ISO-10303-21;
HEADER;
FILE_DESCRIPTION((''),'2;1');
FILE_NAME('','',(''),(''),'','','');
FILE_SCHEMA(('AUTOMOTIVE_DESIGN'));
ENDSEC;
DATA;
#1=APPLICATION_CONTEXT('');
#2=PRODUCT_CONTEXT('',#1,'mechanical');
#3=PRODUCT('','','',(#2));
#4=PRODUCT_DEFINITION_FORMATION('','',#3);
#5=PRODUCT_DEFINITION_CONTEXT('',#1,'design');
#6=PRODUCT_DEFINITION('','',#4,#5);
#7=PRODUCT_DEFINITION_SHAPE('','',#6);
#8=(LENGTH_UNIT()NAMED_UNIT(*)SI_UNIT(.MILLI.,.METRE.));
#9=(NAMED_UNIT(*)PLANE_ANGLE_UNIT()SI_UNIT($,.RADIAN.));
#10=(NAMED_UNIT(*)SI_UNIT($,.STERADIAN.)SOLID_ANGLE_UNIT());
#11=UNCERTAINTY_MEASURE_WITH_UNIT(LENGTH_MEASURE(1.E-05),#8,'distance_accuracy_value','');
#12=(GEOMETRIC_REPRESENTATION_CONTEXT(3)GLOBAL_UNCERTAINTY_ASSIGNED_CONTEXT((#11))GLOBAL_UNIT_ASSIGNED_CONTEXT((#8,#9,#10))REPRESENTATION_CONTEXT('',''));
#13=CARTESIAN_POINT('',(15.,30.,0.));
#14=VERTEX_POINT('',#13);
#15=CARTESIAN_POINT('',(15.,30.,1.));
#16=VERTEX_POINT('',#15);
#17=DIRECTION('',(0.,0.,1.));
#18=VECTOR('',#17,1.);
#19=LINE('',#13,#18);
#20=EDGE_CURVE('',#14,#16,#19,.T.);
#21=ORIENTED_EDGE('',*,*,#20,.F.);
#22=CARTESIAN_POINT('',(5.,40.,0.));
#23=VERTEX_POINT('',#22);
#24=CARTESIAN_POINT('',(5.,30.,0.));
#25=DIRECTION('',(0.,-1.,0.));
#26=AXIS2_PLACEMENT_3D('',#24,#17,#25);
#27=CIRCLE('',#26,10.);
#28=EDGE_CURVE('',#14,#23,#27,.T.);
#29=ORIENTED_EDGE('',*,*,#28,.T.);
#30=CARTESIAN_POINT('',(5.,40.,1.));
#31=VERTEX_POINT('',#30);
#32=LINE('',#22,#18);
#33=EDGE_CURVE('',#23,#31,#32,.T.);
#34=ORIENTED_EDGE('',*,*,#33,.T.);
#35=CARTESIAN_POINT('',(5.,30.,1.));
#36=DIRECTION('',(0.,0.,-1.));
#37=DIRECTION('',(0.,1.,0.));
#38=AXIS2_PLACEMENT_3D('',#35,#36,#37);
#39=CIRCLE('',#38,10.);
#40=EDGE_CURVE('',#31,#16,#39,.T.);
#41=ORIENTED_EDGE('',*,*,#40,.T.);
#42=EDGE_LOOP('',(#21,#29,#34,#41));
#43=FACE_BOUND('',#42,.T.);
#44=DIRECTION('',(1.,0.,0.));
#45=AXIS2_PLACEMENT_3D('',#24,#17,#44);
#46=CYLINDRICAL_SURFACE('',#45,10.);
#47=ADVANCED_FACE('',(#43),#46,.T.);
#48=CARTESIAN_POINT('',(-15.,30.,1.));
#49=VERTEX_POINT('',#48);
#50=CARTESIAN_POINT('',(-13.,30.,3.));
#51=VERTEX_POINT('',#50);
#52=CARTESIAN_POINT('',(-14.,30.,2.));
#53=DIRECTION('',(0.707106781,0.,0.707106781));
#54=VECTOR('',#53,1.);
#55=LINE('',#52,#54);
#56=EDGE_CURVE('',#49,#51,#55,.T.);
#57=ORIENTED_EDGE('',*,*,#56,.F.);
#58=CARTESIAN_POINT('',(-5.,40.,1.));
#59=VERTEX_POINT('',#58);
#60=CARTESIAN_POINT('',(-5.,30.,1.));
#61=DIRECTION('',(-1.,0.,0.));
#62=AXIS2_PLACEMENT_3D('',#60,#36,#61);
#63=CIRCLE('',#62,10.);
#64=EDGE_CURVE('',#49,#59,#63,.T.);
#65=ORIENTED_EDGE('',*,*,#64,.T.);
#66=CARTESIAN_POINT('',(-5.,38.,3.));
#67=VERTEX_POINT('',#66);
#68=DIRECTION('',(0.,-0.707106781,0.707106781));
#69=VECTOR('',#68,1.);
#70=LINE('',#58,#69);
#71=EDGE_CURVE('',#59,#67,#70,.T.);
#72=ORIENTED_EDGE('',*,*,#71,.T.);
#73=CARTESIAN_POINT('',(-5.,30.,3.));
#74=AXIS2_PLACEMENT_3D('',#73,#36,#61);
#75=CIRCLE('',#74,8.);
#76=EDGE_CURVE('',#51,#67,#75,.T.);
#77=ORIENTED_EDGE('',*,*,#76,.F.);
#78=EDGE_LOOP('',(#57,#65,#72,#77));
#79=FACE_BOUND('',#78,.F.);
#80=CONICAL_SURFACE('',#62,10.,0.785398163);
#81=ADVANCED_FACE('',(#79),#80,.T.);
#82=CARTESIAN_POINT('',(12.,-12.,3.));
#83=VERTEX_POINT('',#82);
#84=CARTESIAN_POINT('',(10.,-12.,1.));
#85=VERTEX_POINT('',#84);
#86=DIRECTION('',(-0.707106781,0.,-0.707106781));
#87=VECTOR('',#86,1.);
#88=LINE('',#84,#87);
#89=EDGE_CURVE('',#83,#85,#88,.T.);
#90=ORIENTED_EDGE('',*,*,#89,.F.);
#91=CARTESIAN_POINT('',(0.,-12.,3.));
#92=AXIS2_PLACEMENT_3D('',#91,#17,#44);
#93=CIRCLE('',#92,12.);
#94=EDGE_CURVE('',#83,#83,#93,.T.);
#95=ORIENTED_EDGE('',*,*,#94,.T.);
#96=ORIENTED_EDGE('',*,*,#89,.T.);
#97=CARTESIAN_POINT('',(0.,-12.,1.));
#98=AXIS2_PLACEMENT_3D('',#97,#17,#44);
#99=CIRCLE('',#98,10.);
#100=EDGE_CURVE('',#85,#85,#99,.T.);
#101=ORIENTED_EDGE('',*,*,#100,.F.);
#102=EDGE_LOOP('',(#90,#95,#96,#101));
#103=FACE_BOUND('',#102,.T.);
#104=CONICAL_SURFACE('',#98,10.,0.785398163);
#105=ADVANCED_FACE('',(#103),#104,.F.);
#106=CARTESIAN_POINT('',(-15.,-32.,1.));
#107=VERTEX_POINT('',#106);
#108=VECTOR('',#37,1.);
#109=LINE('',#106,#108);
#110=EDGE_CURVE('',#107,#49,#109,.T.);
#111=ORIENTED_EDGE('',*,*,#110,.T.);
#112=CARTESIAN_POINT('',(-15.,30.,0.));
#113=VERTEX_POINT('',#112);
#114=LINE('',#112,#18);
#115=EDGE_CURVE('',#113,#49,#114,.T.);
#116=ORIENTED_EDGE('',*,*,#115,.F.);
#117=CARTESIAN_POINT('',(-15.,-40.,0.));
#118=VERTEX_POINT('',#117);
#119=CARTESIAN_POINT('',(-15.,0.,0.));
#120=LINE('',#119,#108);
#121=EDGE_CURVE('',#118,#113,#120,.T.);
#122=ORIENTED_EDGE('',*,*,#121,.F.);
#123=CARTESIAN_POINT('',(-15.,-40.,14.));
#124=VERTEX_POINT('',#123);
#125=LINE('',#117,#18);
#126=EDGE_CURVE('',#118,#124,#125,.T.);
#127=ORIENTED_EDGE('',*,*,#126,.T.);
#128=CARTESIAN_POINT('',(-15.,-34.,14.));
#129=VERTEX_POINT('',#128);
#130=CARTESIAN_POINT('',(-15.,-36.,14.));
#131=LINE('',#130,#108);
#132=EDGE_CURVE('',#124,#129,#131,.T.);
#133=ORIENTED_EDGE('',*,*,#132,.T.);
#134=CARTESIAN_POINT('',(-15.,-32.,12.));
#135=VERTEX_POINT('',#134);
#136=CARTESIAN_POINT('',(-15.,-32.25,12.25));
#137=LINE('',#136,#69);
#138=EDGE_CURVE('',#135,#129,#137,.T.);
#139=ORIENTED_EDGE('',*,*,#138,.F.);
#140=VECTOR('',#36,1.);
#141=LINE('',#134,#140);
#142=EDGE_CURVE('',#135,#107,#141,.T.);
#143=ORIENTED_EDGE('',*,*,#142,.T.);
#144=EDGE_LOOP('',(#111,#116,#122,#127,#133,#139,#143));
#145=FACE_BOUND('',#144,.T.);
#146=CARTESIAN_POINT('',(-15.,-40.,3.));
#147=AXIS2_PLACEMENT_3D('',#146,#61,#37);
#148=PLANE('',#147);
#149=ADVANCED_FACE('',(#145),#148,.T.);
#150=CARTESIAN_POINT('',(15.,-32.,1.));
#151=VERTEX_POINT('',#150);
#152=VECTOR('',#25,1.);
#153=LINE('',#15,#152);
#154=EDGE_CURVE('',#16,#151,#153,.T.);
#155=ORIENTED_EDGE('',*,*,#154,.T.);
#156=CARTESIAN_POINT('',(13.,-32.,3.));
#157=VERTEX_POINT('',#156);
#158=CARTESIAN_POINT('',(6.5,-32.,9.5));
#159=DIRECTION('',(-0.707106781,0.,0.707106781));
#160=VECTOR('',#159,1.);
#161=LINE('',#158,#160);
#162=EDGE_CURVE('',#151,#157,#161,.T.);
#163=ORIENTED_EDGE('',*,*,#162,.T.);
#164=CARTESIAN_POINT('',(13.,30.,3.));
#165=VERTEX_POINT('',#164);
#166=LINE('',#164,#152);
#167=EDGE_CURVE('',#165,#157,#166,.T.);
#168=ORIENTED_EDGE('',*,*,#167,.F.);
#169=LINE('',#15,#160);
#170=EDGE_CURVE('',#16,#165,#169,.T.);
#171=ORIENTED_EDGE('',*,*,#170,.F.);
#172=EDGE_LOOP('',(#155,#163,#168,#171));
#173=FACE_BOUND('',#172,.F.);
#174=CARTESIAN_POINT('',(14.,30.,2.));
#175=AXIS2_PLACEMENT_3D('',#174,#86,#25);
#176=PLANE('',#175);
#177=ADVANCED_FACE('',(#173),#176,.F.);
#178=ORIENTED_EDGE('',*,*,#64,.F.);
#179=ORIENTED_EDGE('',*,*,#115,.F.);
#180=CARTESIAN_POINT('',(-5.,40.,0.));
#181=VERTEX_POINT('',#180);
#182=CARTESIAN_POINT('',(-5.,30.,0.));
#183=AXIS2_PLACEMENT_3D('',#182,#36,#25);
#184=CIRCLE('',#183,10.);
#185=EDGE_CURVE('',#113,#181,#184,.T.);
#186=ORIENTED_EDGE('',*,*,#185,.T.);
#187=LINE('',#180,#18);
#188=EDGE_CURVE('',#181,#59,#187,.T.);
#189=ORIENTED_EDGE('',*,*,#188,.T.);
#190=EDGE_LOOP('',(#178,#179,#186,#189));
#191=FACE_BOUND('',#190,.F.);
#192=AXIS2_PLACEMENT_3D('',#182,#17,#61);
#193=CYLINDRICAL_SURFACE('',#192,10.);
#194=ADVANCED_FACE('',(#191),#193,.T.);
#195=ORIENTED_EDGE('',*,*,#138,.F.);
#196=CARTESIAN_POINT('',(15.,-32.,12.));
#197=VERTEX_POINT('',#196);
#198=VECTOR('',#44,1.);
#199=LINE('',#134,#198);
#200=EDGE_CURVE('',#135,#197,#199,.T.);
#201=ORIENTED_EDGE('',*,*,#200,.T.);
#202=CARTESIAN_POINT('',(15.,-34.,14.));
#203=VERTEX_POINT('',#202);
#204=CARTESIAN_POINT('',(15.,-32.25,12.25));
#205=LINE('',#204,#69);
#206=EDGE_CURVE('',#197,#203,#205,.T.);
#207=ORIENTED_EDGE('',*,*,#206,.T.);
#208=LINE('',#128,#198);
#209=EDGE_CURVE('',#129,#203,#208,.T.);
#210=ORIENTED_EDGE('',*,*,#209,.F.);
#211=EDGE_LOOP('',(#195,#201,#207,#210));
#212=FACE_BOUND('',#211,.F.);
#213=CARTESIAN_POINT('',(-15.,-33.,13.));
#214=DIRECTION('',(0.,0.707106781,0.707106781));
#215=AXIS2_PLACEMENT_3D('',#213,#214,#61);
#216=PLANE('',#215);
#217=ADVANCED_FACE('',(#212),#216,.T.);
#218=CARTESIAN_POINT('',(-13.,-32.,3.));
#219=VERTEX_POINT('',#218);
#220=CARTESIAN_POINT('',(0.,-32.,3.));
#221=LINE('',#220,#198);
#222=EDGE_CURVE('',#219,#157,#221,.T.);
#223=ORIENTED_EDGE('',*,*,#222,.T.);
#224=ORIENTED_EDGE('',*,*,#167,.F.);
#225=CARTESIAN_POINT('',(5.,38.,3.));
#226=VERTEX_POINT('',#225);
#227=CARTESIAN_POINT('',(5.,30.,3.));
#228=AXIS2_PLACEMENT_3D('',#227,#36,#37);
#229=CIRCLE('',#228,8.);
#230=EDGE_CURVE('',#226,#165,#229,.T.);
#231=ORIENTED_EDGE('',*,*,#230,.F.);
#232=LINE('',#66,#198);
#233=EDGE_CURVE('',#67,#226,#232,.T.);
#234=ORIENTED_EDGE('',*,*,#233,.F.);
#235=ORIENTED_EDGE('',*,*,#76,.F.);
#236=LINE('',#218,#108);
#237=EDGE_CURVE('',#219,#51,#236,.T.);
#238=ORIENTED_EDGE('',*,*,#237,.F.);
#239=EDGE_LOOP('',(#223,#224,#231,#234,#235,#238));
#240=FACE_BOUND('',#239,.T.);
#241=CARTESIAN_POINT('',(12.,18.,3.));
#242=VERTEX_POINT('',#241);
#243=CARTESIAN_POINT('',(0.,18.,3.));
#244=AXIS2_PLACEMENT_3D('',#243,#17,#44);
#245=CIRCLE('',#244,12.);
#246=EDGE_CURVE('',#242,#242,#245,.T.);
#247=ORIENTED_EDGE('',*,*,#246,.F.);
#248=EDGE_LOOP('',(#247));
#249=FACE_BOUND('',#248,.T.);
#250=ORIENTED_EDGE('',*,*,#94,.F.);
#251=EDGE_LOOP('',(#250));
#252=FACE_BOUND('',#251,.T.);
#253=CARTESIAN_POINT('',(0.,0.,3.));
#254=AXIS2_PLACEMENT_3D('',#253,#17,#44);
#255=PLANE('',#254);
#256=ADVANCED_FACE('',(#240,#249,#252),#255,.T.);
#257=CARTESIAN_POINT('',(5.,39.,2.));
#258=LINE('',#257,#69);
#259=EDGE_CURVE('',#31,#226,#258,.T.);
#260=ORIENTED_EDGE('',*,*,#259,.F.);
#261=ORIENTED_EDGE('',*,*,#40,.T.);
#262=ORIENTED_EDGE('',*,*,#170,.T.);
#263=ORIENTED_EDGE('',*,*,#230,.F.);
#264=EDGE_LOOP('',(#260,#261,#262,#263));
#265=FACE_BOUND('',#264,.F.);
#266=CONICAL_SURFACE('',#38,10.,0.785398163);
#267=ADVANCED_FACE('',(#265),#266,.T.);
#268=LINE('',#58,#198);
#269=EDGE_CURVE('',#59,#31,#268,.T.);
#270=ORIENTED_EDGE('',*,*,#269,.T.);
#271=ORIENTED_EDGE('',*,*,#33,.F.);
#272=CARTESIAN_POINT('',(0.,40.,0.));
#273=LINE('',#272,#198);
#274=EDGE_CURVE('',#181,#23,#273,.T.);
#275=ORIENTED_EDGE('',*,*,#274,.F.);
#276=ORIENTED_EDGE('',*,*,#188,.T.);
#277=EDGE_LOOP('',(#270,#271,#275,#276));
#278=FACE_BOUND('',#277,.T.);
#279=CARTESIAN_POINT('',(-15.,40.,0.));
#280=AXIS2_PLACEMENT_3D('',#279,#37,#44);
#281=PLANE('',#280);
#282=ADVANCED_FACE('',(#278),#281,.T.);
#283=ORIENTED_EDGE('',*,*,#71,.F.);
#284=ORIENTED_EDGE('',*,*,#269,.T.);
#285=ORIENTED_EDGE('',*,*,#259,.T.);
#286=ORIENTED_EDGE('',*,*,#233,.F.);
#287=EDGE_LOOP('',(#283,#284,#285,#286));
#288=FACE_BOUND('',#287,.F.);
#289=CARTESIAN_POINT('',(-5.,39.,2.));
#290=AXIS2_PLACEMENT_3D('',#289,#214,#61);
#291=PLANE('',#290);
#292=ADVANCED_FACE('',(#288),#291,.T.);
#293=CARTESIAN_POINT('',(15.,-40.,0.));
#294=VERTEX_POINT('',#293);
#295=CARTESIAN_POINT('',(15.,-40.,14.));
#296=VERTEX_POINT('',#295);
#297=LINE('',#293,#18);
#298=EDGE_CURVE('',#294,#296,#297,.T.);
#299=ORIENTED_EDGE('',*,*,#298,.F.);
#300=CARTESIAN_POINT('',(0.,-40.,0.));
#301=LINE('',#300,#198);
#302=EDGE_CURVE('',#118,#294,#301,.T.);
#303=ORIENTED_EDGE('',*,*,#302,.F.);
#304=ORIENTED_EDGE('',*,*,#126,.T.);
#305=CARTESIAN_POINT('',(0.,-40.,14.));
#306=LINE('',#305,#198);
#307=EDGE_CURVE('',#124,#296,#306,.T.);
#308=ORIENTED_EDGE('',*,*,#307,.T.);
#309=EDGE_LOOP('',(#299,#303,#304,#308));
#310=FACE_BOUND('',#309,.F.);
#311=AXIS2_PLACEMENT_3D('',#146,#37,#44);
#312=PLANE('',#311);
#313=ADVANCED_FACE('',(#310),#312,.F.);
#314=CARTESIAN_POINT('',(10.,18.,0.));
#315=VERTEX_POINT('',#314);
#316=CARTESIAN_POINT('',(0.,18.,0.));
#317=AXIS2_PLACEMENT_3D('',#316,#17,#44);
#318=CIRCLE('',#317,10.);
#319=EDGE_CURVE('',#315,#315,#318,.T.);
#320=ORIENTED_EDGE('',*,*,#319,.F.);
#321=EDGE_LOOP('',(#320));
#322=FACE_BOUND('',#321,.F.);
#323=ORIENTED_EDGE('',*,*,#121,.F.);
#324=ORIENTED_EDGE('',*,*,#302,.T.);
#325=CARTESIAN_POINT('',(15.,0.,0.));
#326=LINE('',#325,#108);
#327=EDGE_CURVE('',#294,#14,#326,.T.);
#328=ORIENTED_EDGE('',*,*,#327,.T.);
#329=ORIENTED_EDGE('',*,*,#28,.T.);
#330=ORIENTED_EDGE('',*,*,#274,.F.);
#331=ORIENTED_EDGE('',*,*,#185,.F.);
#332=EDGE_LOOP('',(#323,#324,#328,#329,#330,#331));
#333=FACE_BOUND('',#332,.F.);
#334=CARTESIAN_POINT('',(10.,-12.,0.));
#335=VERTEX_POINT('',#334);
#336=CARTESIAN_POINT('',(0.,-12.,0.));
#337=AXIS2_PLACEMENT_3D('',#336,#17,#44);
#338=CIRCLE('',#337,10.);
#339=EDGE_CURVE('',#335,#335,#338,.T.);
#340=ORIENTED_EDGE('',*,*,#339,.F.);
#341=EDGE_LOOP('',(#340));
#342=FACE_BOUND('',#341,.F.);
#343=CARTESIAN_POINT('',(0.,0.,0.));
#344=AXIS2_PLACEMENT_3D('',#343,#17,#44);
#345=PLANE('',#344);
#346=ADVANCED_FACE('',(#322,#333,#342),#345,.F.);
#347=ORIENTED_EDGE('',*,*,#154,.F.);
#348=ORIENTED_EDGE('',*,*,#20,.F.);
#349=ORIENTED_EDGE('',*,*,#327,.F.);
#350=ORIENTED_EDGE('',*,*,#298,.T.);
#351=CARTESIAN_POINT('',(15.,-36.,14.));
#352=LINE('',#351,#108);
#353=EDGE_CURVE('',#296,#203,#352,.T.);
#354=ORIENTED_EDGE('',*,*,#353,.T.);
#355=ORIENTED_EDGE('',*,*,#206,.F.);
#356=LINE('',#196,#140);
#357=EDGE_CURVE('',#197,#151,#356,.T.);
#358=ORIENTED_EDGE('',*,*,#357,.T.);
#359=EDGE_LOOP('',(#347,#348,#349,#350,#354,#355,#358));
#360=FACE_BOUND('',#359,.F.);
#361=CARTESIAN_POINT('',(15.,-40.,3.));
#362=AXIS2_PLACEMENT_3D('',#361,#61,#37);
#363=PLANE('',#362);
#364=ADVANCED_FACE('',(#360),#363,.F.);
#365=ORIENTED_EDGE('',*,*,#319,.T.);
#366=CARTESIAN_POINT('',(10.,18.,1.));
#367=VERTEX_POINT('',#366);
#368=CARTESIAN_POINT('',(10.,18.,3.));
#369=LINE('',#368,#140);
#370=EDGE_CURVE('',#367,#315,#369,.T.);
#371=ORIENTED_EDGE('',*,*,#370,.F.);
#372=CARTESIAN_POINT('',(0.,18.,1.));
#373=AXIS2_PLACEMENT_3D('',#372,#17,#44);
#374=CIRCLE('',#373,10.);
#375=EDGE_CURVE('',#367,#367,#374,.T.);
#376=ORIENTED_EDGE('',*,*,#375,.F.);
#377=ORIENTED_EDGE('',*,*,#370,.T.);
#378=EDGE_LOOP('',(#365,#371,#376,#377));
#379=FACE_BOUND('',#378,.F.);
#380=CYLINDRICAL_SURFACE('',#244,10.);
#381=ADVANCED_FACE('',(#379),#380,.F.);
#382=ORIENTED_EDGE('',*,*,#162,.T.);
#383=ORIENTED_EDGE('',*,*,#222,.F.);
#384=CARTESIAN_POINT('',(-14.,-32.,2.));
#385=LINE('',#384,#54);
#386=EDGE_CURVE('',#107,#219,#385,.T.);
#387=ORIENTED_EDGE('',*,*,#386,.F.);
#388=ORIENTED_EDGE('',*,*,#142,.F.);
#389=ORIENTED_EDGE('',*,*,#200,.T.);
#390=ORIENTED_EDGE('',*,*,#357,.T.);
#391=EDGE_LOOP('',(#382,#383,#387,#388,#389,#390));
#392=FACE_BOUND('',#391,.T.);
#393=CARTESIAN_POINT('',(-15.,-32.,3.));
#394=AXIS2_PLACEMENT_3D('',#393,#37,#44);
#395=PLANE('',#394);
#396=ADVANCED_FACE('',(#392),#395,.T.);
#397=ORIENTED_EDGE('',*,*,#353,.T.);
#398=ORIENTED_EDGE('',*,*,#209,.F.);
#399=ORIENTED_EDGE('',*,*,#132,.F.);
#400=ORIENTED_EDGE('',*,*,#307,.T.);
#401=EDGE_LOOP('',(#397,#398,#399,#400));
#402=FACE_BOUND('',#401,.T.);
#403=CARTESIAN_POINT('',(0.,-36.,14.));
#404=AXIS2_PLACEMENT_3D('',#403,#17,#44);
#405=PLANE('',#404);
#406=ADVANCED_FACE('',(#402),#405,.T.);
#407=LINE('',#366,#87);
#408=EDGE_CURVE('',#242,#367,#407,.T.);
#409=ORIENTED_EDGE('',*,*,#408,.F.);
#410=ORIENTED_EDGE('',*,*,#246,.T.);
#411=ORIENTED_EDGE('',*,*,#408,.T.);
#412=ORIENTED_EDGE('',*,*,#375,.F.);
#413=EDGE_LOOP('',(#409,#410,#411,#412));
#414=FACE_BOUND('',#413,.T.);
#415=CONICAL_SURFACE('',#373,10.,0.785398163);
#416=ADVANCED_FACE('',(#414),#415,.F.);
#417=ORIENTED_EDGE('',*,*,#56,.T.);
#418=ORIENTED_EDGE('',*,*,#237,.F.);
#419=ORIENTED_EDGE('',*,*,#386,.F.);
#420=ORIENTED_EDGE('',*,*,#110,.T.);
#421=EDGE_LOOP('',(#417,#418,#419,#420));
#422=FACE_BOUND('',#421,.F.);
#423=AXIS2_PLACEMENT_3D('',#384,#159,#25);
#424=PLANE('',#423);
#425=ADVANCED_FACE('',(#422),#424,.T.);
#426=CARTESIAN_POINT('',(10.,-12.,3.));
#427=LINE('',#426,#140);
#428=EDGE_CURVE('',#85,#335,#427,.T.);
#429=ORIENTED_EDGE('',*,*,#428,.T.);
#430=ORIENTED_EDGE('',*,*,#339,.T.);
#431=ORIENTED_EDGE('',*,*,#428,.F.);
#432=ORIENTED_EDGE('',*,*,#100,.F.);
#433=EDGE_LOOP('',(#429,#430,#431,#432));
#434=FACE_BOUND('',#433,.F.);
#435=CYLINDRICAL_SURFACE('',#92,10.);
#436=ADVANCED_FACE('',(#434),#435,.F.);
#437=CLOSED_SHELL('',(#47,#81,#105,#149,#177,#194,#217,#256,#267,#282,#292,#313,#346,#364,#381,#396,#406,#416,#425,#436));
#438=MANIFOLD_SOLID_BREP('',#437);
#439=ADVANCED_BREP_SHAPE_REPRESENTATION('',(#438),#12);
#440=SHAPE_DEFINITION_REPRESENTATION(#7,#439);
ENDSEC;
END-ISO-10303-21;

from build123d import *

# Parameters (mm, degrees)
F0_W     = 30
F0_H     = 80
F1_DEPTH = 3
F2_W     = 30
F2_H     = 8
F3_DEPTH = 11
F4_R     = 10
F5_R     = 10
F6_DEPTH = 3.001
F7_SIZE  = 2


with BuildPart() as f1:
    # F0 (on Top) → F1 (new body)
    with BuildSketch(Plane.XY):
        Rectangle(F0_W, F0_H)
    extrude(amount=F1_DEPTH)

    # F2 (on face) → F3 (join)
    with BuildSketch(Plane.XY.offset(3)):
        with Locations((0, -36)):
            Rectangle(F2_W, F2_H)
    extrude(amount=F3_DEPTH)

    # F4
    f4_edges = [f1.edges().sort_by_distance(p)[0] for p in [
        (-15, 40, 1.5),
        (15, 40, 1.5),
    ]]
    fillet(f4_edges, radius=F4_R)

    # F5 (on face) → F6 (cut, through all)
    with BuildSketch(Plane.XY.offset(3)):
        with Locations((0, 18)):
            Circle(F5_R)
        with Locations((0, -12)):
            Circle(F5_R)
    extrude(amount=-F6_DEPTH, mode=Mode.SUBTRACT)

    # F7
    f7_edges = [f1.edges().sort_by_distance(p)[0] for p in [
        (0, -32, 14),
        (-15, -1, 3),
        (-10, 18, 3),
        (-10, -12, 3),
    ]]
    chamfer(f7_edges, length=F7_SIZE)


solid = f1.part
